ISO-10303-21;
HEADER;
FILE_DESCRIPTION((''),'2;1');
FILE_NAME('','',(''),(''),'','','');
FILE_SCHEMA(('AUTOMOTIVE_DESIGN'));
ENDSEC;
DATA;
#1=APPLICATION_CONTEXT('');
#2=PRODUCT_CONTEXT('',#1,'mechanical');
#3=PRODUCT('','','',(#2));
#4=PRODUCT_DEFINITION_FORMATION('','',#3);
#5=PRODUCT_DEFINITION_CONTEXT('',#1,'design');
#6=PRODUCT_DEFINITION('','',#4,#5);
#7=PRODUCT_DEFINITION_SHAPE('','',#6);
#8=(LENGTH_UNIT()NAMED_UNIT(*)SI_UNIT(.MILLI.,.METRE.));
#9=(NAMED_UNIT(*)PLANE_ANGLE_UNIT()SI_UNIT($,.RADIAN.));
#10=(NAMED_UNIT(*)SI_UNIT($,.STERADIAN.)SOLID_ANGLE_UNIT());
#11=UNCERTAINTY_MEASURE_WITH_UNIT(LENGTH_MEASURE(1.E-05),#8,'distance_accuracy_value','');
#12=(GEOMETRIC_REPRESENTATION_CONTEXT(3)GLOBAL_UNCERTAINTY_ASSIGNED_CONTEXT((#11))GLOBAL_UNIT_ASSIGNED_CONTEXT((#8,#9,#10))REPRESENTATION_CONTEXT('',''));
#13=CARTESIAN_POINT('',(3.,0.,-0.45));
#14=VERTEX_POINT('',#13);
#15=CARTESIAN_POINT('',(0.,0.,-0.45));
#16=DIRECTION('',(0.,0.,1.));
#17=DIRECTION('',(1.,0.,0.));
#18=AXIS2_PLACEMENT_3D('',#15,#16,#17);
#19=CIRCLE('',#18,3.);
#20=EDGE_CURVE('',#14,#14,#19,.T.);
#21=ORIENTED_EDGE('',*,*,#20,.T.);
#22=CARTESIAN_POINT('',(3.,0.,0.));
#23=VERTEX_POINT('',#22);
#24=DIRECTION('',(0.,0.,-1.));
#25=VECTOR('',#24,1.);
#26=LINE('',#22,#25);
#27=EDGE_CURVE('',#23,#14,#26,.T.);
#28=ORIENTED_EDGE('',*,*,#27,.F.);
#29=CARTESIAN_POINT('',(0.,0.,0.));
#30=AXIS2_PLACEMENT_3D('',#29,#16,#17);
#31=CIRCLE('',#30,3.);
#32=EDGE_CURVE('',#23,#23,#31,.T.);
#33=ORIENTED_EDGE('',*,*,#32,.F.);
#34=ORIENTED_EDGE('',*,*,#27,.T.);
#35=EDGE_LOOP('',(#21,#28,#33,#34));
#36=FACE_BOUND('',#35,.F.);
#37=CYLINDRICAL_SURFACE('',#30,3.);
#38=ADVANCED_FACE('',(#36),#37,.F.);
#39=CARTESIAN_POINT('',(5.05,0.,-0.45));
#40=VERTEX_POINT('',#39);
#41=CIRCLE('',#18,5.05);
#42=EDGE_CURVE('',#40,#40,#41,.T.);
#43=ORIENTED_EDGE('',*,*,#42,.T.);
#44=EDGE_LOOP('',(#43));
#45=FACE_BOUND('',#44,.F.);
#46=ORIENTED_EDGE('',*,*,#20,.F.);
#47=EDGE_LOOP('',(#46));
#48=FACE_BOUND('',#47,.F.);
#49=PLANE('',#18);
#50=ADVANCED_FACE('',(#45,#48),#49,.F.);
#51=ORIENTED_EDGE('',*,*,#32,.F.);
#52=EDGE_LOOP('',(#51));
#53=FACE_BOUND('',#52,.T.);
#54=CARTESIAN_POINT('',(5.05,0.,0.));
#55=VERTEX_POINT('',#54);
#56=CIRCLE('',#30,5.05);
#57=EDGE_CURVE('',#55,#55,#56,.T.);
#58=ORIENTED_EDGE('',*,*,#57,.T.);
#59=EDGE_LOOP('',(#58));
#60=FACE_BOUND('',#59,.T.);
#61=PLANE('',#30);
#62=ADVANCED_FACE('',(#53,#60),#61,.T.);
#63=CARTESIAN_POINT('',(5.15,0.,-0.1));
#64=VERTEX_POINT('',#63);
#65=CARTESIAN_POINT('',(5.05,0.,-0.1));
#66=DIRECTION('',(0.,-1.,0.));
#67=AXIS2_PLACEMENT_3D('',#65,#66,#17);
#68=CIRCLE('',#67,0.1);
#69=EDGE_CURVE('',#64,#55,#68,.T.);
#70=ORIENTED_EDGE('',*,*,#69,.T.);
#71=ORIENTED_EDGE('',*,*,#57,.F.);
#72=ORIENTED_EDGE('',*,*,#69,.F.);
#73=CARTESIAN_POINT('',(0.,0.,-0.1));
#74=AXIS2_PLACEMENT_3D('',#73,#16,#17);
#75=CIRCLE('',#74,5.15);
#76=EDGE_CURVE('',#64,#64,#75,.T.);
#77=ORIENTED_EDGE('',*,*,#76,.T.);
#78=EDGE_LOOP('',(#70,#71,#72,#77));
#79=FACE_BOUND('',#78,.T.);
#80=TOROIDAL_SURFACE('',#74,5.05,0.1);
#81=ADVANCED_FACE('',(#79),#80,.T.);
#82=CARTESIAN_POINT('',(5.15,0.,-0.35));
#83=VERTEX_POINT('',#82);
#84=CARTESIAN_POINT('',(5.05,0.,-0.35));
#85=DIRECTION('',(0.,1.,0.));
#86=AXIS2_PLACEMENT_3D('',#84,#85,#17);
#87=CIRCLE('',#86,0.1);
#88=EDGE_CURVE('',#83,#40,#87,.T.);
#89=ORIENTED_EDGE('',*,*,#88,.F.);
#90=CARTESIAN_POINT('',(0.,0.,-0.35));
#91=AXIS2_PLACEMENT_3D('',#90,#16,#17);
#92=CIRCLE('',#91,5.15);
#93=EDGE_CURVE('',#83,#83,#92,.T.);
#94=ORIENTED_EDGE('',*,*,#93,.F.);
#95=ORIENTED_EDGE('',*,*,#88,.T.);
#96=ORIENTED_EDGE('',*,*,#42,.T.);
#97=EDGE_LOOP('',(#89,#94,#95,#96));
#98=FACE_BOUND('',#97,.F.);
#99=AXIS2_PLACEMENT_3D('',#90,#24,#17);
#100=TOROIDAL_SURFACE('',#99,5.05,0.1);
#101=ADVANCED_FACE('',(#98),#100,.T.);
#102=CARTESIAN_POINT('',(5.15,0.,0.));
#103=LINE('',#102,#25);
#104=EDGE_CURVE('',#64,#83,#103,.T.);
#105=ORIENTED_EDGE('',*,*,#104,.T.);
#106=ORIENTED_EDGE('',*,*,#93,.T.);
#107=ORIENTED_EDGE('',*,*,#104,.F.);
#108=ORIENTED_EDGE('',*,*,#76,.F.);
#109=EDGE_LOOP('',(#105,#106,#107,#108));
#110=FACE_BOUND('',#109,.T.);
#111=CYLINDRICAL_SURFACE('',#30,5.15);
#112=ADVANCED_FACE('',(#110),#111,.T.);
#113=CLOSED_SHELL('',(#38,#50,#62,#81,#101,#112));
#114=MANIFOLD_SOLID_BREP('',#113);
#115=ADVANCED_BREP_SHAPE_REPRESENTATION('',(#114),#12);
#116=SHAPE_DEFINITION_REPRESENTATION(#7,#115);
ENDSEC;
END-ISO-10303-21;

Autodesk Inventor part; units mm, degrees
ref_plane "YZ Plane" through (0, 0, 0) normal (1, 0, 0) x (0, 1, 0)
ref_plane "XZ Plane" through (0, 0, 0) normal (0, 1, 0) x (-1, 0, 0)
ref_plane "XY Plane" through (0, 0, 0) normal (0, 0, 1) x (1, 0, 0)
sketch "Sketch1" plane through (0, 0, 0) normal (0, 0, 1) x (1, 0, 0)
  circle A0 centre (0, 0) radius 5.15
  circle A1 centre (0, 0) radius 3
  dimension "d0" = 6
  dimension "d1" = 10.3
extrude "Extrusion1" add sketch "Sketch1" against normal blind 0.45
fillet "Fillet1" radius 0.1 2 edges at (-5.15, 0, 0) (-5.15, 0, -0.45)
properties part number "rondelle"
